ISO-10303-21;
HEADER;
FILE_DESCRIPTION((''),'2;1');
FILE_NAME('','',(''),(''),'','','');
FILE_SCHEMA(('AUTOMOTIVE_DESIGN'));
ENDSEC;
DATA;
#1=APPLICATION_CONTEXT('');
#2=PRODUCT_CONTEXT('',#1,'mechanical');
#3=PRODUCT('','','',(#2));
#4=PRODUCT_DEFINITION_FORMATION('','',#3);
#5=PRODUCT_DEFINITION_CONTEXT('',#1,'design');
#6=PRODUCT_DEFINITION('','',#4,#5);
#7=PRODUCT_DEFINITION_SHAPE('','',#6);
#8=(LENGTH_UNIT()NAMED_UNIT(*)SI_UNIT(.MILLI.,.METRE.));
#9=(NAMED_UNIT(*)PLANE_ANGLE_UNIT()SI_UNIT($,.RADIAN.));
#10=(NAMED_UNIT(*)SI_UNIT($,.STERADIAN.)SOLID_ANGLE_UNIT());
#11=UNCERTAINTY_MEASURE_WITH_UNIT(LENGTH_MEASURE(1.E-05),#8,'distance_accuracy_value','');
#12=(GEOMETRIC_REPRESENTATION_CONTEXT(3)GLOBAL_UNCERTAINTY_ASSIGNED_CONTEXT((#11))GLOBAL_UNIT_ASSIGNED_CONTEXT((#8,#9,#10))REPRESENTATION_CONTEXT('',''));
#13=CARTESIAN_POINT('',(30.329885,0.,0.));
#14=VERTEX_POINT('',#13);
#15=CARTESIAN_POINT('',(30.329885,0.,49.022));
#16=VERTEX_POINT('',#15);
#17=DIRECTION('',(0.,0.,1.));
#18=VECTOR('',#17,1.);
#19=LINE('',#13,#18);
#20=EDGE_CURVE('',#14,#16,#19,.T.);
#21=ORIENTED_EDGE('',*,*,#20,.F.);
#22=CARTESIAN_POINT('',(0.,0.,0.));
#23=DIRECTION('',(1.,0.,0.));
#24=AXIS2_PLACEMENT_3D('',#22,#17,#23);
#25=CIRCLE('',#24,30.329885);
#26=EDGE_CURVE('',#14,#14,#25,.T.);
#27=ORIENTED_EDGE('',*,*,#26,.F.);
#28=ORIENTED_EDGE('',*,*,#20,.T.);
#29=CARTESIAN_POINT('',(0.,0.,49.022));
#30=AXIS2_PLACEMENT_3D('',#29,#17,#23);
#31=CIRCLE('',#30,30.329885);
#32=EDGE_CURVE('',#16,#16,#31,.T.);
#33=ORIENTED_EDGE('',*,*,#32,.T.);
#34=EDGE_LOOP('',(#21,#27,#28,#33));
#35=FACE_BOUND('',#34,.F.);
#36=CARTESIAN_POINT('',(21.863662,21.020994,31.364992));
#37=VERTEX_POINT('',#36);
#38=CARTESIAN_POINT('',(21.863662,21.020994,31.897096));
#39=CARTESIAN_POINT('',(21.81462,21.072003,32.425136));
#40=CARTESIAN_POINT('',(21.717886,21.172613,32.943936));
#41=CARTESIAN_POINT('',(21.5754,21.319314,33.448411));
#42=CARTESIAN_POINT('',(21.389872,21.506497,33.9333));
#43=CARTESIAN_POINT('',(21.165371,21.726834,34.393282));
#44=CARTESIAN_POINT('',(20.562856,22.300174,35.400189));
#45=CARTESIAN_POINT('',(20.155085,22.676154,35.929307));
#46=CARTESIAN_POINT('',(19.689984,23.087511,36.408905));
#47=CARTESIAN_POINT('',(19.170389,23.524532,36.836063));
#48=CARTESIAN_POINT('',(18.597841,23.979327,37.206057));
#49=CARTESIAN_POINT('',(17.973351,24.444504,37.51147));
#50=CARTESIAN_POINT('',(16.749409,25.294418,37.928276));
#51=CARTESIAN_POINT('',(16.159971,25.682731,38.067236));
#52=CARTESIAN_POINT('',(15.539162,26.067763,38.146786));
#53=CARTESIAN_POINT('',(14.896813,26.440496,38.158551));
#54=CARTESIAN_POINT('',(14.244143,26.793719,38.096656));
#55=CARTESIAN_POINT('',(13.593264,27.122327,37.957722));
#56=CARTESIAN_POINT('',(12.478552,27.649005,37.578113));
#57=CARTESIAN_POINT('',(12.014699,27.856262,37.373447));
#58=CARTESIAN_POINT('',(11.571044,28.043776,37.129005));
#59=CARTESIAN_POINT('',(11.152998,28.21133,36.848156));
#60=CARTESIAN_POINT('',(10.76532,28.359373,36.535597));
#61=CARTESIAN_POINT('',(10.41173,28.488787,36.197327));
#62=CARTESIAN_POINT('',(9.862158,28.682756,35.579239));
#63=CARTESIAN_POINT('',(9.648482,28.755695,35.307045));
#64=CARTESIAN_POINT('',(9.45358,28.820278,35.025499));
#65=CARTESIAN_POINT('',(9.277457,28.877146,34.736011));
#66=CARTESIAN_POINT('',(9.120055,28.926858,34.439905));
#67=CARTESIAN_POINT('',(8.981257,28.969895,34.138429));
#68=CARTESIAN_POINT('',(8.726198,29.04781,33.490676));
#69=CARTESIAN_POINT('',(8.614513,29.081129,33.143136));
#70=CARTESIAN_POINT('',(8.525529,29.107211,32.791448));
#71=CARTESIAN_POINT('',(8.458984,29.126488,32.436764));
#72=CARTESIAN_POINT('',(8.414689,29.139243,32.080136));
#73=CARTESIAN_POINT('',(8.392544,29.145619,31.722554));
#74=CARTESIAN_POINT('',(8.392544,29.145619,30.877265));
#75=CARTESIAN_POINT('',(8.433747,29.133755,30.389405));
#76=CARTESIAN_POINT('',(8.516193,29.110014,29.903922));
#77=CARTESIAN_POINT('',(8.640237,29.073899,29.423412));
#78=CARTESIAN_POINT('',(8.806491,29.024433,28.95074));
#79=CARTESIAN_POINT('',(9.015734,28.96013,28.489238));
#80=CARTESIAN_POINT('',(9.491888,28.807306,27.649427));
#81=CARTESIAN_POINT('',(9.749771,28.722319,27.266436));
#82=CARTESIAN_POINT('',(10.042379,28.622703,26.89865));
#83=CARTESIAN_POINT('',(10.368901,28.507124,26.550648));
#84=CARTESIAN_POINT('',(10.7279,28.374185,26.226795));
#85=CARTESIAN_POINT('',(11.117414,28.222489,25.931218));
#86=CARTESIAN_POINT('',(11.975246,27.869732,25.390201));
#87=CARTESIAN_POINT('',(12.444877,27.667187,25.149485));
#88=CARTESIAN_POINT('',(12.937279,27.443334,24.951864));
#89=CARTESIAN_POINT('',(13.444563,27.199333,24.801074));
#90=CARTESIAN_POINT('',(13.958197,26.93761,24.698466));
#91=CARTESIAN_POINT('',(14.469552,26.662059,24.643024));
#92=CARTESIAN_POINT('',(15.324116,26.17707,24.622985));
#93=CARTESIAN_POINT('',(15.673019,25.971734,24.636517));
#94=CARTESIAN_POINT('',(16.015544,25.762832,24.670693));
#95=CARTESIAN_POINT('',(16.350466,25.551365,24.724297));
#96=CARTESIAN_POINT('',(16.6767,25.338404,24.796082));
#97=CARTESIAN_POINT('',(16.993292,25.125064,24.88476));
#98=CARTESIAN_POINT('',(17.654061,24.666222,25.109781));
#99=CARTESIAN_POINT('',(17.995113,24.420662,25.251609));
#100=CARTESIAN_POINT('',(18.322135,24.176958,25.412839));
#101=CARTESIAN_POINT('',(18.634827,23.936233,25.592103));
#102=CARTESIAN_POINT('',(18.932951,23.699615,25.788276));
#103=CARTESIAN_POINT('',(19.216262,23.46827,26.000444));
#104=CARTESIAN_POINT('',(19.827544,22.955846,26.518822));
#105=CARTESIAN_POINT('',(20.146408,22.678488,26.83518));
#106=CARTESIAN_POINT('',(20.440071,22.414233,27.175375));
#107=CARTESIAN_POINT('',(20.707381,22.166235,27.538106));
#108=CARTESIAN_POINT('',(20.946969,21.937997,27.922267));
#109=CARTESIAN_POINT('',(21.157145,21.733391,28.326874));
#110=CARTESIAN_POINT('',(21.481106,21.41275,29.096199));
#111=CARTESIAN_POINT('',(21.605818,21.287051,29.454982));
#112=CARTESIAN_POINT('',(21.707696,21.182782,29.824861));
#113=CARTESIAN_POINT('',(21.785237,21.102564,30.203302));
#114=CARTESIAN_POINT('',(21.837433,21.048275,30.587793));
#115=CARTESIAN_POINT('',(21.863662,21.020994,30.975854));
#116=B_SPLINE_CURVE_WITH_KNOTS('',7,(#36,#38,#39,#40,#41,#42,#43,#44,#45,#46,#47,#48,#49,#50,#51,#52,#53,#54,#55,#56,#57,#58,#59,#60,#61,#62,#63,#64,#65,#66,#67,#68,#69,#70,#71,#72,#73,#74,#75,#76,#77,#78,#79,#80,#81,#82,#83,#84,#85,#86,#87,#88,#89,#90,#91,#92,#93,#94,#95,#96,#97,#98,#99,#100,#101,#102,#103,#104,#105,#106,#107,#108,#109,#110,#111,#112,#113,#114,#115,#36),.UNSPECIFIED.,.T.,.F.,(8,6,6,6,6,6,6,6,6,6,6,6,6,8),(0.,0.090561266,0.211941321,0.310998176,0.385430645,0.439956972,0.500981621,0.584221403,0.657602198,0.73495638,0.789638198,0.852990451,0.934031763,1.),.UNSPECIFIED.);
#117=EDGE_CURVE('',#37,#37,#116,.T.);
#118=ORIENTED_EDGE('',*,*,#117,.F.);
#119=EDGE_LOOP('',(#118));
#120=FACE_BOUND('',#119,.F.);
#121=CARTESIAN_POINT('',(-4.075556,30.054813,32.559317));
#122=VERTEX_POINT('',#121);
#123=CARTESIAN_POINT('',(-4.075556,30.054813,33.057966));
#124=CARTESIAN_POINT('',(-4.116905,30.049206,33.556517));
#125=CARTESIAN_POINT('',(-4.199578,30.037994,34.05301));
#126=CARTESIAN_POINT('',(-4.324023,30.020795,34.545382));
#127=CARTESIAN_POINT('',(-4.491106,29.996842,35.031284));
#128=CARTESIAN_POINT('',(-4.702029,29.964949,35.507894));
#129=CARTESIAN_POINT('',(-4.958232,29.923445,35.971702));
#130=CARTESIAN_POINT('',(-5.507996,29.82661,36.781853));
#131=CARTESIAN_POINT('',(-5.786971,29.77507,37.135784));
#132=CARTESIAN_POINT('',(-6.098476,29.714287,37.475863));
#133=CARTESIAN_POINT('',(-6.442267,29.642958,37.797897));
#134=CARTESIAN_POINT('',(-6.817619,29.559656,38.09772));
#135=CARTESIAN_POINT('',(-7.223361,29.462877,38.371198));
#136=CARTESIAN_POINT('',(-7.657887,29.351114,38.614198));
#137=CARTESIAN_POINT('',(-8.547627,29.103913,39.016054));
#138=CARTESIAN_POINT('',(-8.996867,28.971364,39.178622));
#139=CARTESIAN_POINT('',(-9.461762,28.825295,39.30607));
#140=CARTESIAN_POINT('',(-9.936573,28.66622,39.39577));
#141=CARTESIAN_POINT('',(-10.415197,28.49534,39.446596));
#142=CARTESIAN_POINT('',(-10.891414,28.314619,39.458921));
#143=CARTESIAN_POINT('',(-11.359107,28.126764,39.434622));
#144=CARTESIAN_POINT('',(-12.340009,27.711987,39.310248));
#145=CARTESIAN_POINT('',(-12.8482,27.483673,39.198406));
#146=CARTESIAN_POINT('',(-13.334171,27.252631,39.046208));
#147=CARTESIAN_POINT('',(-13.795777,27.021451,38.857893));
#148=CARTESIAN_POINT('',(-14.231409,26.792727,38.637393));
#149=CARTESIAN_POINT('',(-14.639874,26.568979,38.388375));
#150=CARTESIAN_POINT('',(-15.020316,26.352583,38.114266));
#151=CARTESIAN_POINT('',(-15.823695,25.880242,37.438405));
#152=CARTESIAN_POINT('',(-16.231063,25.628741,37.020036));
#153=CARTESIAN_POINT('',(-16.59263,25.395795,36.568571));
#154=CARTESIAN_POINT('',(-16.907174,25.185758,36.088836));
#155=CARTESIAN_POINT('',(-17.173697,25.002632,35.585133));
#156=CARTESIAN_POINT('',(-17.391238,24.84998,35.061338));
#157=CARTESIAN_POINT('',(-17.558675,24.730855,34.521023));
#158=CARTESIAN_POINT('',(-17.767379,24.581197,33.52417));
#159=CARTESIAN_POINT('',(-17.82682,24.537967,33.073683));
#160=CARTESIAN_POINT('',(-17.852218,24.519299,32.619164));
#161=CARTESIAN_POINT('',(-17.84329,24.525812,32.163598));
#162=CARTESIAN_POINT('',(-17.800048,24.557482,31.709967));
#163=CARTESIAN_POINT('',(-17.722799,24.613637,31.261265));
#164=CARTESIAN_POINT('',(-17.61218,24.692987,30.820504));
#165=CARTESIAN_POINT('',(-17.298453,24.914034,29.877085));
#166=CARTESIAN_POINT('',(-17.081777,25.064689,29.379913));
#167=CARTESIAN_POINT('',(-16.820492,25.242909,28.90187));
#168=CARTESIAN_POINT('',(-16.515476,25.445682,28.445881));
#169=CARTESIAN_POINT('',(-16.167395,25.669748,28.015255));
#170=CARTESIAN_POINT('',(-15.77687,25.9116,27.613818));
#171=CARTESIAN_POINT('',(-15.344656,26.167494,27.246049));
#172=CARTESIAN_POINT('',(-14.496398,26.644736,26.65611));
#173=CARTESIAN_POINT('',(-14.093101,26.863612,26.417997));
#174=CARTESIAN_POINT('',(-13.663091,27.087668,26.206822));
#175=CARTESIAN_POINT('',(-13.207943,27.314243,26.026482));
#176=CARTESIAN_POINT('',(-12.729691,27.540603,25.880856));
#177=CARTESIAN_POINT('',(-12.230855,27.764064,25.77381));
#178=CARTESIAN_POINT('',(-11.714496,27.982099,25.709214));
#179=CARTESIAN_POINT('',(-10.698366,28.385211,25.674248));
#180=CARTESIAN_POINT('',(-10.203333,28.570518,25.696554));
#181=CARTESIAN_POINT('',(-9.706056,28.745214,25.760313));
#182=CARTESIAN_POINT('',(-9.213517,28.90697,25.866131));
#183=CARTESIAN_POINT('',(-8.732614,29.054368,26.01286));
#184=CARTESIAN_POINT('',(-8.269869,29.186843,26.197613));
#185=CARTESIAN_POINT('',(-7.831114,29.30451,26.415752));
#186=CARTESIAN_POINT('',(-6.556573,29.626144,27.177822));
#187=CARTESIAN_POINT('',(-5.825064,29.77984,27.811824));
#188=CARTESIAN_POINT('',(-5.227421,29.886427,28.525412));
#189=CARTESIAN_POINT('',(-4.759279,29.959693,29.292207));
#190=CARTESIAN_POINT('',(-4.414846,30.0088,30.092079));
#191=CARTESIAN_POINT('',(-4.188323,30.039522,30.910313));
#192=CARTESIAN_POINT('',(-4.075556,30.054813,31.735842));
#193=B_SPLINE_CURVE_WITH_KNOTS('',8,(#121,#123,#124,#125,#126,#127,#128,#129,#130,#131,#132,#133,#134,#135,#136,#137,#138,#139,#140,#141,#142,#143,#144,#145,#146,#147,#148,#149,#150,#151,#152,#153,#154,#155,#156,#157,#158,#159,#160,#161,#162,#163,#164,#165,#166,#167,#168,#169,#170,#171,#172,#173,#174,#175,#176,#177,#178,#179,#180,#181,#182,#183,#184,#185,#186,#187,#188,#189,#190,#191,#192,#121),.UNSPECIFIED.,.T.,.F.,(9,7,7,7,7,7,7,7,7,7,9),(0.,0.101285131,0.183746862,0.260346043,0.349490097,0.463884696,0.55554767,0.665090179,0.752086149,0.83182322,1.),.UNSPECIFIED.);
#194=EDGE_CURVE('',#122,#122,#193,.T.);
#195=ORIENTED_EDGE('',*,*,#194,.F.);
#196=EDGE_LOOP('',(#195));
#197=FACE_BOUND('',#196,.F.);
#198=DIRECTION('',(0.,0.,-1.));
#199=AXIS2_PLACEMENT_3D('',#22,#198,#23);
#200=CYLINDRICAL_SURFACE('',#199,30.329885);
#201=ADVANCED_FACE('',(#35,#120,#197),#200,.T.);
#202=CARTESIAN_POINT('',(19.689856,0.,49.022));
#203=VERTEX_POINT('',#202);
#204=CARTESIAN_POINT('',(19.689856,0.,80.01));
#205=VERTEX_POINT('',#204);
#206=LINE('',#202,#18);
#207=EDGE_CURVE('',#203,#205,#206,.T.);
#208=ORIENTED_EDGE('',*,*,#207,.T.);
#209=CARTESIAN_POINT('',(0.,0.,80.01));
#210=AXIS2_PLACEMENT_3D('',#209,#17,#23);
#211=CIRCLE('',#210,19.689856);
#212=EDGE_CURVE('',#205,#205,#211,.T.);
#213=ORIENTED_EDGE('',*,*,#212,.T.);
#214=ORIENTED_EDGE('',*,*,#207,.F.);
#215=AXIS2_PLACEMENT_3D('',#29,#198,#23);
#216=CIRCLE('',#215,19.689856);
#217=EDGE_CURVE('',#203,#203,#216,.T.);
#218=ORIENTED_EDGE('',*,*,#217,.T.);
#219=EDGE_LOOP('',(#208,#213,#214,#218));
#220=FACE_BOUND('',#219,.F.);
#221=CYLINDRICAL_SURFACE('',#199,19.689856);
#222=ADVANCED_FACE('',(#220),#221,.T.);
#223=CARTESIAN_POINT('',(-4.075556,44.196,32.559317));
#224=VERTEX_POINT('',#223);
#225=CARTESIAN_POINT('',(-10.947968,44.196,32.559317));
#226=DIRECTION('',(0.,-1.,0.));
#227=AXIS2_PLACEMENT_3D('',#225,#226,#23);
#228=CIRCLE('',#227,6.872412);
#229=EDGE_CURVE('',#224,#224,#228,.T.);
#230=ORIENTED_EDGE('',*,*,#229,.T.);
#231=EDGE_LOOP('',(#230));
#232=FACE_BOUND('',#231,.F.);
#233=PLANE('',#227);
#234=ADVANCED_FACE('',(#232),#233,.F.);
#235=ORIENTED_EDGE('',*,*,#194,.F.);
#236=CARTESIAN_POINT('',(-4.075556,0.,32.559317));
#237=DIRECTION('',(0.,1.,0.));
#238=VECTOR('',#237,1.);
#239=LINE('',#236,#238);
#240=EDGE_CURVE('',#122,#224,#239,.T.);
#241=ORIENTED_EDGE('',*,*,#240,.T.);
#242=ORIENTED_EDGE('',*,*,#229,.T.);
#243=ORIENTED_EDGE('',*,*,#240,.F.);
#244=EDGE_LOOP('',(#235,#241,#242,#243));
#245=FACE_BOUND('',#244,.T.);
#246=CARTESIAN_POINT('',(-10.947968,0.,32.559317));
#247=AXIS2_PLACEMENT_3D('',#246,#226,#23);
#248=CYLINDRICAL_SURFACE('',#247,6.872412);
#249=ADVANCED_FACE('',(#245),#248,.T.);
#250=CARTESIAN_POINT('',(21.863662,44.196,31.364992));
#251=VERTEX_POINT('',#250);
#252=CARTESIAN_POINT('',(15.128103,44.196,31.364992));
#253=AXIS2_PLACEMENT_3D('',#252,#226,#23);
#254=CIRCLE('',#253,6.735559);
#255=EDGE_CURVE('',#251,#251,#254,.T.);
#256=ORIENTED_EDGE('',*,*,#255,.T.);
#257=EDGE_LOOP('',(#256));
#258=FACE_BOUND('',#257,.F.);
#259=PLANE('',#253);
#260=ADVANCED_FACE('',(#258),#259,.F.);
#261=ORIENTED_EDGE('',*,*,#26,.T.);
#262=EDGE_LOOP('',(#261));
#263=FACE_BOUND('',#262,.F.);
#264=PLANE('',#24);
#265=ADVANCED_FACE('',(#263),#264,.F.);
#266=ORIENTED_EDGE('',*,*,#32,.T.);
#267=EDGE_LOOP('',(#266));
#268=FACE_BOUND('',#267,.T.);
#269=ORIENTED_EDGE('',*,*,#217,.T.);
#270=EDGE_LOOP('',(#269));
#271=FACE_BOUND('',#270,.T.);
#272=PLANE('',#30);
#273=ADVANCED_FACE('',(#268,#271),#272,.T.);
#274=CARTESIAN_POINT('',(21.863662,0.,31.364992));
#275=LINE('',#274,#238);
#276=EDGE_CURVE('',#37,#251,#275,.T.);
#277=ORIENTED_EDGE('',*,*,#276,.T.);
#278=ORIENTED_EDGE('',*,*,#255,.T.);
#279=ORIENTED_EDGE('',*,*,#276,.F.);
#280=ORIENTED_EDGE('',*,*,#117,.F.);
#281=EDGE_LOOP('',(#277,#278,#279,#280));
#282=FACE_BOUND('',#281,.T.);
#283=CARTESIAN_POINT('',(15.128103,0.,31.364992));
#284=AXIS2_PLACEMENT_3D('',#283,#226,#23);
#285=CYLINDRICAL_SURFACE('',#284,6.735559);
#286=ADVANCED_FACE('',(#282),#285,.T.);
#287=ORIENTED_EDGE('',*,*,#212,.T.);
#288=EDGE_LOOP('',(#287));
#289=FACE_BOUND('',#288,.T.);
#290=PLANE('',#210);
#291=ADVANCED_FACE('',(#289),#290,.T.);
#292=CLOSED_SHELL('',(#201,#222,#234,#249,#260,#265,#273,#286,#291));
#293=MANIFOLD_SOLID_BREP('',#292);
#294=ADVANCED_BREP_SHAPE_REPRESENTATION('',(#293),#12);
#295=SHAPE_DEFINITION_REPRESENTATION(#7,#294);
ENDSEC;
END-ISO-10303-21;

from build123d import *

# Parameters (mm, degrees)
F0_R      = 30.329885
F1_DEPTH  = 49.022
F2_R      = 19.689856
F3_DEPTH  = 80.01
F4_R      = 6.735559
F4_R_2    = 6.872412
F5_DEPTH  = 44.196
F3_FACE_R = 19.689856
F6_DEPTH  = 6.604


with BuildPart() as f1:
    # F0 (on Top) → F1 (new body)
    with BuildSketch(Plane.XY):
        Circle(F0_R)
    extrude(amount=F1_DEPTH)

    # F2 (on Top) → F3 (join)
    with BuildSketch(Plane.XY):
        Circle(F2_R)
    extrude(amount=F3_DEPTH)

    # F4 (on Front) → F5 (join)
    with BuildSketch(Plane.XZ):
        with Locations((15.128103, 31.364992)):
            Circle(F4_R)
        with Locations((-10.947968, 32.559317)):
            Circle(F4_R_2)
    extrude(amount=-F5_DEPTH)

    # F3_face (on face) → F6 (join)
    with BuildSketch(Plane.XY.offset(80.01)):
        Circle(F3_FACE_R)
    extrude(amount=-F6_DEPTH)


solid = f1.part
